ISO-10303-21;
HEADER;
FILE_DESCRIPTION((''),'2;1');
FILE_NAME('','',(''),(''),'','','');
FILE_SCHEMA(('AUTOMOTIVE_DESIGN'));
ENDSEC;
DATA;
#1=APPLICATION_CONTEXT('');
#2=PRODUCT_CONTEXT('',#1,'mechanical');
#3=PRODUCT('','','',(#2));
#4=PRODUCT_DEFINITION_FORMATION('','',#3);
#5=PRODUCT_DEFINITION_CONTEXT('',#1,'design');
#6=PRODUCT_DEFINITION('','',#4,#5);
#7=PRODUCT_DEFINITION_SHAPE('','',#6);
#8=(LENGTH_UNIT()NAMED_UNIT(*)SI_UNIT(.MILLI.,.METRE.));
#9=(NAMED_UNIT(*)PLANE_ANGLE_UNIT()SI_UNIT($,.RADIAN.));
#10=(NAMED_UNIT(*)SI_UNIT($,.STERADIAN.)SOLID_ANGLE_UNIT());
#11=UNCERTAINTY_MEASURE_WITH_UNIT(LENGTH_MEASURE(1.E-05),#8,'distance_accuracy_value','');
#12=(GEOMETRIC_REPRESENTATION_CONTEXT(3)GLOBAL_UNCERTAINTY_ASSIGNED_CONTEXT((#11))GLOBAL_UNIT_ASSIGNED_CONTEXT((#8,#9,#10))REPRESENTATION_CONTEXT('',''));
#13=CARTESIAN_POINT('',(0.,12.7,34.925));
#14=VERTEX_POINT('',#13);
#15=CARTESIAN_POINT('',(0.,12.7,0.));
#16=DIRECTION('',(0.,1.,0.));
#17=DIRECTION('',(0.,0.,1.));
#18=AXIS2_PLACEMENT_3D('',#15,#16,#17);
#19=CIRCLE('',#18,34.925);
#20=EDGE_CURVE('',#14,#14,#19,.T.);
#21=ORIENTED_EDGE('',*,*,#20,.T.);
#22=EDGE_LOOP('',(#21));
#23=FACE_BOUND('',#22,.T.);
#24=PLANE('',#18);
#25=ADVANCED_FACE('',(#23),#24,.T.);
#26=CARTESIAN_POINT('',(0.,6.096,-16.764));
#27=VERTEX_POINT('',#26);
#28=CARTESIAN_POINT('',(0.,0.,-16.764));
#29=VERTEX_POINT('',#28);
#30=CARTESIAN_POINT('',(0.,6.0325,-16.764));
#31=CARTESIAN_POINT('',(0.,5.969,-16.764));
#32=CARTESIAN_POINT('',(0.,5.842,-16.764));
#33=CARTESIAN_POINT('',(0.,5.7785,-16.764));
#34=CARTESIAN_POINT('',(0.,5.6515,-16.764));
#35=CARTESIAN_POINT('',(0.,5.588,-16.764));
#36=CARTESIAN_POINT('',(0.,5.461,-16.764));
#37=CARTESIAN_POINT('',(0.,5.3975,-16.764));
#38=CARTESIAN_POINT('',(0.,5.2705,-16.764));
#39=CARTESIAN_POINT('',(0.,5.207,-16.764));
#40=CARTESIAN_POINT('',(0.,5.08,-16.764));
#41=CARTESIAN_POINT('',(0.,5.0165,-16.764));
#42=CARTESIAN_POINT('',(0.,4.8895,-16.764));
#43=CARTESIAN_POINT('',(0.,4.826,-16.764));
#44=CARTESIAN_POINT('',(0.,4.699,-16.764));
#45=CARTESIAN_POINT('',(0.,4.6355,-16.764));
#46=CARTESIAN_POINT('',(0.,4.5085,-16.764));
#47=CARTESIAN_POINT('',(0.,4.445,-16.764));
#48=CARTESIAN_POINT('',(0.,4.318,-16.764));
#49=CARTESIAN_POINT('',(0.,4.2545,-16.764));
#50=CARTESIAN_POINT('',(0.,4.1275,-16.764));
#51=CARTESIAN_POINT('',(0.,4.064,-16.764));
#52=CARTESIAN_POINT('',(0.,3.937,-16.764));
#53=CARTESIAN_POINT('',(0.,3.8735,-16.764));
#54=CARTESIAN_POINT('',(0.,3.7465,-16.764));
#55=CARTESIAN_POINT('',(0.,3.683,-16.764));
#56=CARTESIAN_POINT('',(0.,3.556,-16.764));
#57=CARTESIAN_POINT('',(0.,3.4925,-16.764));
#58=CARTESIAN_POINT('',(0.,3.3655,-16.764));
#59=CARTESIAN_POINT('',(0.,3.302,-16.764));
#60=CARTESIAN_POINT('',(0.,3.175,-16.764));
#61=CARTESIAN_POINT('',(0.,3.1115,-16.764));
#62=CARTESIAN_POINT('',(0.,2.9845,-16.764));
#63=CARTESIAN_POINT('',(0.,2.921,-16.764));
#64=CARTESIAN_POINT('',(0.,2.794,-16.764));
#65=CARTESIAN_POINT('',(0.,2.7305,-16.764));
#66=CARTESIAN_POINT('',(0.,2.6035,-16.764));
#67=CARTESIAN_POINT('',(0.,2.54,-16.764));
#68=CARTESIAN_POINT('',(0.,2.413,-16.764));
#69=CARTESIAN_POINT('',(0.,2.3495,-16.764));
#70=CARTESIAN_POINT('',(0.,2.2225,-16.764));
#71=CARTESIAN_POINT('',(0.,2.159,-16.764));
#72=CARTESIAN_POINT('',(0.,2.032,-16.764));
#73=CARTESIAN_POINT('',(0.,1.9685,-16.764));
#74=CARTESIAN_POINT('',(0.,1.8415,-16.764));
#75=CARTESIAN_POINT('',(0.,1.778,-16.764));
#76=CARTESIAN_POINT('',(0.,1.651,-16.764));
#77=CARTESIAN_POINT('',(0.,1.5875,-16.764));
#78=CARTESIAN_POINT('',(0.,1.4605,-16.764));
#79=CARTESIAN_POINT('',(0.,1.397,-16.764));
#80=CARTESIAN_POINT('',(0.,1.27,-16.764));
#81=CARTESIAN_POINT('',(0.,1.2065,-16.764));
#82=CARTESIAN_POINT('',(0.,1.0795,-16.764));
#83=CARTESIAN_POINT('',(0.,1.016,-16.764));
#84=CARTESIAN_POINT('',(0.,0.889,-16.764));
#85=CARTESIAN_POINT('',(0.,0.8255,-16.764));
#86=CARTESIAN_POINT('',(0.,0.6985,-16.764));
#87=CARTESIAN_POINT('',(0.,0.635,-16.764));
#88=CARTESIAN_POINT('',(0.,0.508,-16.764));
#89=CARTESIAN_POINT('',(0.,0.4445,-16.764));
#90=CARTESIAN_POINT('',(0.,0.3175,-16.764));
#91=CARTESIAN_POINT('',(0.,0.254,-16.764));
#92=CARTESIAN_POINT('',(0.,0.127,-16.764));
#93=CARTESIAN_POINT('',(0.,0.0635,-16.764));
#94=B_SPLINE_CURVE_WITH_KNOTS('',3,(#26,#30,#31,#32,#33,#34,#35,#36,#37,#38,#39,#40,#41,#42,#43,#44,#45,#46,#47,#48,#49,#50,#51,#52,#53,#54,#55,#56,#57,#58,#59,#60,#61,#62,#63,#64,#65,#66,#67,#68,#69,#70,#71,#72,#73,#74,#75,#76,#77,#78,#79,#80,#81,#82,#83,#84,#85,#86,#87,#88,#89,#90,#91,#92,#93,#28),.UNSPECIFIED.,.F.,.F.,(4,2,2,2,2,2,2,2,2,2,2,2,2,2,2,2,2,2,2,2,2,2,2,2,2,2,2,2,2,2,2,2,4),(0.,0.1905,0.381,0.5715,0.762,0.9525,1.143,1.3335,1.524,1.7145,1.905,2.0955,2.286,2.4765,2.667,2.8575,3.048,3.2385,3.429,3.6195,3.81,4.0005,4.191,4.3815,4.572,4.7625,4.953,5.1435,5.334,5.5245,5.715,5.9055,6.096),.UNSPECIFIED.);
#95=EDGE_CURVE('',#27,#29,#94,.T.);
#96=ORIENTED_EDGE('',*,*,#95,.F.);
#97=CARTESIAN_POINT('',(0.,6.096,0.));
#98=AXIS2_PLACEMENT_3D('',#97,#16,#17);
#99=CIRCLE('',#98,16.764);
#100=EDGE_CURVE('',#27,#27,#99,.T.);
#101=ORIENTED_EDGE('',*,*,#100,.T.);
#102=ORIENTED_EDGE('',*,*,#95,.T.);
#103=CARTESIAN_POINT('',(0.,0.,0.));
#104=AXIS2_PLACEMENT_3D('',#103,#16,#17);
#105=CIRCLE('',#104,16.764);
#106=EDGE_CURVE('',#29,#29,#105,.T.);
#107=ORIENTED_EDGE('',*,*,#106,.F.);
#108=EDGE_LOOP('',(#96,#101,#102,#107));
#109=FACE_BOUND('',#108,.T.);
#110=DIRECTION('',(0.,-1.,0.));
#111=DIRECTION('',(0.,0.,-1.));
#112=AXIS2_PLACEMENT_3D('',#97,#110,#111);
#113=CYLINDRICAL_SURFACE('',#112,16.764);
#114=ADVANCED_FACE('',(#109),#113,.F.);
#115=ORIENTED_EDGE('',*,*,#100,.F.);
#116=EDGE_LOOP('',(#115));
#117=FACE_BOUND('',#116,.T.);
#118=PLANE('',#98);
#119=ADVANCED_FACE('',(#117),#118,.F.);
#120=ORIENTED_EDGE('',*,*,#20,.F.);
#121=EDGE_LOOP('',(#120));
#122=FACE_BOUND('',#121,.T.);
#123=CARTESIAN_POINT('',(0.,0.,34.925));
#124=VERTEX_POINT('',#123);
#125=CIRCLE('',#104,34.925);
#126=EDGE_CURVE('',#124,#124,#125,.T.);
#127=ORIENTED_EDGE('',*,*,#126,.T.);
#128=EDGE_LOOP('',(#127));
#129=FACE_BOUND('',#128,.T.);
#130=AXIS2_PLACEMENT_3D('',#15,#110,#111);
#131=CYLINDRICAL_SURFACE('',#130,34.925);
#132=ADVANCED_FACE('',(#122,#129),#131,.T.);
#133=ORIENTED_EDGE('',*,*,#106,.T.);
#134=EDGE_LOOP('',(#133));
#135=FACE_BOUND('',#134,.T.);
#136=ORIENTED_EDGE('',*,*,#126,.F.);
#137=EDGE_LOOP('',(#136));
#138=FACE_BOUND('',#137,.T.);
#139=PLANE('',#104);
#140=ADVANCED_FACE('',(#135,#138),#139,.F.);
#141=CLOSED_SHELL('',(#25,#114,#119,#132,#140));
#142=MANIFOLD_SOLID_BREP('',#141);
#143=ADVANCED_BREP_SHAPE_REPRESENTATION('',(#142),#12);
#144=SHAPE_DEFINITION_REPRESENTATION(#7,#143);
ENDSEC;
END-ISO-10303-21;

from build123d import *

# Parameters (mm, degrees)
SKETCH1_R           = 34.925
BOSS_EXTRUDE1_DEPTH = 12.7
SKETCH1_3_R         = 16.764
CUT_EXTRUDE1_DEPTH  = 6.096


with BuildPart() as part:
    # Sketch1 → Boss-Extrude1 (new body)
    with BuildSketch(Plane(origin=(0, 0, 0), x_dir=(1, 0, 0), z_dir=(0, 1, 0))):
        Circle(SKETCH1_R)
    extrude(amount=BOSS_EXTRUDE1_DEPTH)

    # Sketch1<3> → Cut-Extrude1 (cut)
    with BuildSketch(Plane(origin=(0, 0, 0), x_dir=(1, 0, 0), z_dir=(0, 1, 0))):
        Circle(SKETCH1_3_R)
    extrude(amount=CUT_EXTRUDE1_DEPTH, mode=Mode.SUBTRACT)


solid = part.part
